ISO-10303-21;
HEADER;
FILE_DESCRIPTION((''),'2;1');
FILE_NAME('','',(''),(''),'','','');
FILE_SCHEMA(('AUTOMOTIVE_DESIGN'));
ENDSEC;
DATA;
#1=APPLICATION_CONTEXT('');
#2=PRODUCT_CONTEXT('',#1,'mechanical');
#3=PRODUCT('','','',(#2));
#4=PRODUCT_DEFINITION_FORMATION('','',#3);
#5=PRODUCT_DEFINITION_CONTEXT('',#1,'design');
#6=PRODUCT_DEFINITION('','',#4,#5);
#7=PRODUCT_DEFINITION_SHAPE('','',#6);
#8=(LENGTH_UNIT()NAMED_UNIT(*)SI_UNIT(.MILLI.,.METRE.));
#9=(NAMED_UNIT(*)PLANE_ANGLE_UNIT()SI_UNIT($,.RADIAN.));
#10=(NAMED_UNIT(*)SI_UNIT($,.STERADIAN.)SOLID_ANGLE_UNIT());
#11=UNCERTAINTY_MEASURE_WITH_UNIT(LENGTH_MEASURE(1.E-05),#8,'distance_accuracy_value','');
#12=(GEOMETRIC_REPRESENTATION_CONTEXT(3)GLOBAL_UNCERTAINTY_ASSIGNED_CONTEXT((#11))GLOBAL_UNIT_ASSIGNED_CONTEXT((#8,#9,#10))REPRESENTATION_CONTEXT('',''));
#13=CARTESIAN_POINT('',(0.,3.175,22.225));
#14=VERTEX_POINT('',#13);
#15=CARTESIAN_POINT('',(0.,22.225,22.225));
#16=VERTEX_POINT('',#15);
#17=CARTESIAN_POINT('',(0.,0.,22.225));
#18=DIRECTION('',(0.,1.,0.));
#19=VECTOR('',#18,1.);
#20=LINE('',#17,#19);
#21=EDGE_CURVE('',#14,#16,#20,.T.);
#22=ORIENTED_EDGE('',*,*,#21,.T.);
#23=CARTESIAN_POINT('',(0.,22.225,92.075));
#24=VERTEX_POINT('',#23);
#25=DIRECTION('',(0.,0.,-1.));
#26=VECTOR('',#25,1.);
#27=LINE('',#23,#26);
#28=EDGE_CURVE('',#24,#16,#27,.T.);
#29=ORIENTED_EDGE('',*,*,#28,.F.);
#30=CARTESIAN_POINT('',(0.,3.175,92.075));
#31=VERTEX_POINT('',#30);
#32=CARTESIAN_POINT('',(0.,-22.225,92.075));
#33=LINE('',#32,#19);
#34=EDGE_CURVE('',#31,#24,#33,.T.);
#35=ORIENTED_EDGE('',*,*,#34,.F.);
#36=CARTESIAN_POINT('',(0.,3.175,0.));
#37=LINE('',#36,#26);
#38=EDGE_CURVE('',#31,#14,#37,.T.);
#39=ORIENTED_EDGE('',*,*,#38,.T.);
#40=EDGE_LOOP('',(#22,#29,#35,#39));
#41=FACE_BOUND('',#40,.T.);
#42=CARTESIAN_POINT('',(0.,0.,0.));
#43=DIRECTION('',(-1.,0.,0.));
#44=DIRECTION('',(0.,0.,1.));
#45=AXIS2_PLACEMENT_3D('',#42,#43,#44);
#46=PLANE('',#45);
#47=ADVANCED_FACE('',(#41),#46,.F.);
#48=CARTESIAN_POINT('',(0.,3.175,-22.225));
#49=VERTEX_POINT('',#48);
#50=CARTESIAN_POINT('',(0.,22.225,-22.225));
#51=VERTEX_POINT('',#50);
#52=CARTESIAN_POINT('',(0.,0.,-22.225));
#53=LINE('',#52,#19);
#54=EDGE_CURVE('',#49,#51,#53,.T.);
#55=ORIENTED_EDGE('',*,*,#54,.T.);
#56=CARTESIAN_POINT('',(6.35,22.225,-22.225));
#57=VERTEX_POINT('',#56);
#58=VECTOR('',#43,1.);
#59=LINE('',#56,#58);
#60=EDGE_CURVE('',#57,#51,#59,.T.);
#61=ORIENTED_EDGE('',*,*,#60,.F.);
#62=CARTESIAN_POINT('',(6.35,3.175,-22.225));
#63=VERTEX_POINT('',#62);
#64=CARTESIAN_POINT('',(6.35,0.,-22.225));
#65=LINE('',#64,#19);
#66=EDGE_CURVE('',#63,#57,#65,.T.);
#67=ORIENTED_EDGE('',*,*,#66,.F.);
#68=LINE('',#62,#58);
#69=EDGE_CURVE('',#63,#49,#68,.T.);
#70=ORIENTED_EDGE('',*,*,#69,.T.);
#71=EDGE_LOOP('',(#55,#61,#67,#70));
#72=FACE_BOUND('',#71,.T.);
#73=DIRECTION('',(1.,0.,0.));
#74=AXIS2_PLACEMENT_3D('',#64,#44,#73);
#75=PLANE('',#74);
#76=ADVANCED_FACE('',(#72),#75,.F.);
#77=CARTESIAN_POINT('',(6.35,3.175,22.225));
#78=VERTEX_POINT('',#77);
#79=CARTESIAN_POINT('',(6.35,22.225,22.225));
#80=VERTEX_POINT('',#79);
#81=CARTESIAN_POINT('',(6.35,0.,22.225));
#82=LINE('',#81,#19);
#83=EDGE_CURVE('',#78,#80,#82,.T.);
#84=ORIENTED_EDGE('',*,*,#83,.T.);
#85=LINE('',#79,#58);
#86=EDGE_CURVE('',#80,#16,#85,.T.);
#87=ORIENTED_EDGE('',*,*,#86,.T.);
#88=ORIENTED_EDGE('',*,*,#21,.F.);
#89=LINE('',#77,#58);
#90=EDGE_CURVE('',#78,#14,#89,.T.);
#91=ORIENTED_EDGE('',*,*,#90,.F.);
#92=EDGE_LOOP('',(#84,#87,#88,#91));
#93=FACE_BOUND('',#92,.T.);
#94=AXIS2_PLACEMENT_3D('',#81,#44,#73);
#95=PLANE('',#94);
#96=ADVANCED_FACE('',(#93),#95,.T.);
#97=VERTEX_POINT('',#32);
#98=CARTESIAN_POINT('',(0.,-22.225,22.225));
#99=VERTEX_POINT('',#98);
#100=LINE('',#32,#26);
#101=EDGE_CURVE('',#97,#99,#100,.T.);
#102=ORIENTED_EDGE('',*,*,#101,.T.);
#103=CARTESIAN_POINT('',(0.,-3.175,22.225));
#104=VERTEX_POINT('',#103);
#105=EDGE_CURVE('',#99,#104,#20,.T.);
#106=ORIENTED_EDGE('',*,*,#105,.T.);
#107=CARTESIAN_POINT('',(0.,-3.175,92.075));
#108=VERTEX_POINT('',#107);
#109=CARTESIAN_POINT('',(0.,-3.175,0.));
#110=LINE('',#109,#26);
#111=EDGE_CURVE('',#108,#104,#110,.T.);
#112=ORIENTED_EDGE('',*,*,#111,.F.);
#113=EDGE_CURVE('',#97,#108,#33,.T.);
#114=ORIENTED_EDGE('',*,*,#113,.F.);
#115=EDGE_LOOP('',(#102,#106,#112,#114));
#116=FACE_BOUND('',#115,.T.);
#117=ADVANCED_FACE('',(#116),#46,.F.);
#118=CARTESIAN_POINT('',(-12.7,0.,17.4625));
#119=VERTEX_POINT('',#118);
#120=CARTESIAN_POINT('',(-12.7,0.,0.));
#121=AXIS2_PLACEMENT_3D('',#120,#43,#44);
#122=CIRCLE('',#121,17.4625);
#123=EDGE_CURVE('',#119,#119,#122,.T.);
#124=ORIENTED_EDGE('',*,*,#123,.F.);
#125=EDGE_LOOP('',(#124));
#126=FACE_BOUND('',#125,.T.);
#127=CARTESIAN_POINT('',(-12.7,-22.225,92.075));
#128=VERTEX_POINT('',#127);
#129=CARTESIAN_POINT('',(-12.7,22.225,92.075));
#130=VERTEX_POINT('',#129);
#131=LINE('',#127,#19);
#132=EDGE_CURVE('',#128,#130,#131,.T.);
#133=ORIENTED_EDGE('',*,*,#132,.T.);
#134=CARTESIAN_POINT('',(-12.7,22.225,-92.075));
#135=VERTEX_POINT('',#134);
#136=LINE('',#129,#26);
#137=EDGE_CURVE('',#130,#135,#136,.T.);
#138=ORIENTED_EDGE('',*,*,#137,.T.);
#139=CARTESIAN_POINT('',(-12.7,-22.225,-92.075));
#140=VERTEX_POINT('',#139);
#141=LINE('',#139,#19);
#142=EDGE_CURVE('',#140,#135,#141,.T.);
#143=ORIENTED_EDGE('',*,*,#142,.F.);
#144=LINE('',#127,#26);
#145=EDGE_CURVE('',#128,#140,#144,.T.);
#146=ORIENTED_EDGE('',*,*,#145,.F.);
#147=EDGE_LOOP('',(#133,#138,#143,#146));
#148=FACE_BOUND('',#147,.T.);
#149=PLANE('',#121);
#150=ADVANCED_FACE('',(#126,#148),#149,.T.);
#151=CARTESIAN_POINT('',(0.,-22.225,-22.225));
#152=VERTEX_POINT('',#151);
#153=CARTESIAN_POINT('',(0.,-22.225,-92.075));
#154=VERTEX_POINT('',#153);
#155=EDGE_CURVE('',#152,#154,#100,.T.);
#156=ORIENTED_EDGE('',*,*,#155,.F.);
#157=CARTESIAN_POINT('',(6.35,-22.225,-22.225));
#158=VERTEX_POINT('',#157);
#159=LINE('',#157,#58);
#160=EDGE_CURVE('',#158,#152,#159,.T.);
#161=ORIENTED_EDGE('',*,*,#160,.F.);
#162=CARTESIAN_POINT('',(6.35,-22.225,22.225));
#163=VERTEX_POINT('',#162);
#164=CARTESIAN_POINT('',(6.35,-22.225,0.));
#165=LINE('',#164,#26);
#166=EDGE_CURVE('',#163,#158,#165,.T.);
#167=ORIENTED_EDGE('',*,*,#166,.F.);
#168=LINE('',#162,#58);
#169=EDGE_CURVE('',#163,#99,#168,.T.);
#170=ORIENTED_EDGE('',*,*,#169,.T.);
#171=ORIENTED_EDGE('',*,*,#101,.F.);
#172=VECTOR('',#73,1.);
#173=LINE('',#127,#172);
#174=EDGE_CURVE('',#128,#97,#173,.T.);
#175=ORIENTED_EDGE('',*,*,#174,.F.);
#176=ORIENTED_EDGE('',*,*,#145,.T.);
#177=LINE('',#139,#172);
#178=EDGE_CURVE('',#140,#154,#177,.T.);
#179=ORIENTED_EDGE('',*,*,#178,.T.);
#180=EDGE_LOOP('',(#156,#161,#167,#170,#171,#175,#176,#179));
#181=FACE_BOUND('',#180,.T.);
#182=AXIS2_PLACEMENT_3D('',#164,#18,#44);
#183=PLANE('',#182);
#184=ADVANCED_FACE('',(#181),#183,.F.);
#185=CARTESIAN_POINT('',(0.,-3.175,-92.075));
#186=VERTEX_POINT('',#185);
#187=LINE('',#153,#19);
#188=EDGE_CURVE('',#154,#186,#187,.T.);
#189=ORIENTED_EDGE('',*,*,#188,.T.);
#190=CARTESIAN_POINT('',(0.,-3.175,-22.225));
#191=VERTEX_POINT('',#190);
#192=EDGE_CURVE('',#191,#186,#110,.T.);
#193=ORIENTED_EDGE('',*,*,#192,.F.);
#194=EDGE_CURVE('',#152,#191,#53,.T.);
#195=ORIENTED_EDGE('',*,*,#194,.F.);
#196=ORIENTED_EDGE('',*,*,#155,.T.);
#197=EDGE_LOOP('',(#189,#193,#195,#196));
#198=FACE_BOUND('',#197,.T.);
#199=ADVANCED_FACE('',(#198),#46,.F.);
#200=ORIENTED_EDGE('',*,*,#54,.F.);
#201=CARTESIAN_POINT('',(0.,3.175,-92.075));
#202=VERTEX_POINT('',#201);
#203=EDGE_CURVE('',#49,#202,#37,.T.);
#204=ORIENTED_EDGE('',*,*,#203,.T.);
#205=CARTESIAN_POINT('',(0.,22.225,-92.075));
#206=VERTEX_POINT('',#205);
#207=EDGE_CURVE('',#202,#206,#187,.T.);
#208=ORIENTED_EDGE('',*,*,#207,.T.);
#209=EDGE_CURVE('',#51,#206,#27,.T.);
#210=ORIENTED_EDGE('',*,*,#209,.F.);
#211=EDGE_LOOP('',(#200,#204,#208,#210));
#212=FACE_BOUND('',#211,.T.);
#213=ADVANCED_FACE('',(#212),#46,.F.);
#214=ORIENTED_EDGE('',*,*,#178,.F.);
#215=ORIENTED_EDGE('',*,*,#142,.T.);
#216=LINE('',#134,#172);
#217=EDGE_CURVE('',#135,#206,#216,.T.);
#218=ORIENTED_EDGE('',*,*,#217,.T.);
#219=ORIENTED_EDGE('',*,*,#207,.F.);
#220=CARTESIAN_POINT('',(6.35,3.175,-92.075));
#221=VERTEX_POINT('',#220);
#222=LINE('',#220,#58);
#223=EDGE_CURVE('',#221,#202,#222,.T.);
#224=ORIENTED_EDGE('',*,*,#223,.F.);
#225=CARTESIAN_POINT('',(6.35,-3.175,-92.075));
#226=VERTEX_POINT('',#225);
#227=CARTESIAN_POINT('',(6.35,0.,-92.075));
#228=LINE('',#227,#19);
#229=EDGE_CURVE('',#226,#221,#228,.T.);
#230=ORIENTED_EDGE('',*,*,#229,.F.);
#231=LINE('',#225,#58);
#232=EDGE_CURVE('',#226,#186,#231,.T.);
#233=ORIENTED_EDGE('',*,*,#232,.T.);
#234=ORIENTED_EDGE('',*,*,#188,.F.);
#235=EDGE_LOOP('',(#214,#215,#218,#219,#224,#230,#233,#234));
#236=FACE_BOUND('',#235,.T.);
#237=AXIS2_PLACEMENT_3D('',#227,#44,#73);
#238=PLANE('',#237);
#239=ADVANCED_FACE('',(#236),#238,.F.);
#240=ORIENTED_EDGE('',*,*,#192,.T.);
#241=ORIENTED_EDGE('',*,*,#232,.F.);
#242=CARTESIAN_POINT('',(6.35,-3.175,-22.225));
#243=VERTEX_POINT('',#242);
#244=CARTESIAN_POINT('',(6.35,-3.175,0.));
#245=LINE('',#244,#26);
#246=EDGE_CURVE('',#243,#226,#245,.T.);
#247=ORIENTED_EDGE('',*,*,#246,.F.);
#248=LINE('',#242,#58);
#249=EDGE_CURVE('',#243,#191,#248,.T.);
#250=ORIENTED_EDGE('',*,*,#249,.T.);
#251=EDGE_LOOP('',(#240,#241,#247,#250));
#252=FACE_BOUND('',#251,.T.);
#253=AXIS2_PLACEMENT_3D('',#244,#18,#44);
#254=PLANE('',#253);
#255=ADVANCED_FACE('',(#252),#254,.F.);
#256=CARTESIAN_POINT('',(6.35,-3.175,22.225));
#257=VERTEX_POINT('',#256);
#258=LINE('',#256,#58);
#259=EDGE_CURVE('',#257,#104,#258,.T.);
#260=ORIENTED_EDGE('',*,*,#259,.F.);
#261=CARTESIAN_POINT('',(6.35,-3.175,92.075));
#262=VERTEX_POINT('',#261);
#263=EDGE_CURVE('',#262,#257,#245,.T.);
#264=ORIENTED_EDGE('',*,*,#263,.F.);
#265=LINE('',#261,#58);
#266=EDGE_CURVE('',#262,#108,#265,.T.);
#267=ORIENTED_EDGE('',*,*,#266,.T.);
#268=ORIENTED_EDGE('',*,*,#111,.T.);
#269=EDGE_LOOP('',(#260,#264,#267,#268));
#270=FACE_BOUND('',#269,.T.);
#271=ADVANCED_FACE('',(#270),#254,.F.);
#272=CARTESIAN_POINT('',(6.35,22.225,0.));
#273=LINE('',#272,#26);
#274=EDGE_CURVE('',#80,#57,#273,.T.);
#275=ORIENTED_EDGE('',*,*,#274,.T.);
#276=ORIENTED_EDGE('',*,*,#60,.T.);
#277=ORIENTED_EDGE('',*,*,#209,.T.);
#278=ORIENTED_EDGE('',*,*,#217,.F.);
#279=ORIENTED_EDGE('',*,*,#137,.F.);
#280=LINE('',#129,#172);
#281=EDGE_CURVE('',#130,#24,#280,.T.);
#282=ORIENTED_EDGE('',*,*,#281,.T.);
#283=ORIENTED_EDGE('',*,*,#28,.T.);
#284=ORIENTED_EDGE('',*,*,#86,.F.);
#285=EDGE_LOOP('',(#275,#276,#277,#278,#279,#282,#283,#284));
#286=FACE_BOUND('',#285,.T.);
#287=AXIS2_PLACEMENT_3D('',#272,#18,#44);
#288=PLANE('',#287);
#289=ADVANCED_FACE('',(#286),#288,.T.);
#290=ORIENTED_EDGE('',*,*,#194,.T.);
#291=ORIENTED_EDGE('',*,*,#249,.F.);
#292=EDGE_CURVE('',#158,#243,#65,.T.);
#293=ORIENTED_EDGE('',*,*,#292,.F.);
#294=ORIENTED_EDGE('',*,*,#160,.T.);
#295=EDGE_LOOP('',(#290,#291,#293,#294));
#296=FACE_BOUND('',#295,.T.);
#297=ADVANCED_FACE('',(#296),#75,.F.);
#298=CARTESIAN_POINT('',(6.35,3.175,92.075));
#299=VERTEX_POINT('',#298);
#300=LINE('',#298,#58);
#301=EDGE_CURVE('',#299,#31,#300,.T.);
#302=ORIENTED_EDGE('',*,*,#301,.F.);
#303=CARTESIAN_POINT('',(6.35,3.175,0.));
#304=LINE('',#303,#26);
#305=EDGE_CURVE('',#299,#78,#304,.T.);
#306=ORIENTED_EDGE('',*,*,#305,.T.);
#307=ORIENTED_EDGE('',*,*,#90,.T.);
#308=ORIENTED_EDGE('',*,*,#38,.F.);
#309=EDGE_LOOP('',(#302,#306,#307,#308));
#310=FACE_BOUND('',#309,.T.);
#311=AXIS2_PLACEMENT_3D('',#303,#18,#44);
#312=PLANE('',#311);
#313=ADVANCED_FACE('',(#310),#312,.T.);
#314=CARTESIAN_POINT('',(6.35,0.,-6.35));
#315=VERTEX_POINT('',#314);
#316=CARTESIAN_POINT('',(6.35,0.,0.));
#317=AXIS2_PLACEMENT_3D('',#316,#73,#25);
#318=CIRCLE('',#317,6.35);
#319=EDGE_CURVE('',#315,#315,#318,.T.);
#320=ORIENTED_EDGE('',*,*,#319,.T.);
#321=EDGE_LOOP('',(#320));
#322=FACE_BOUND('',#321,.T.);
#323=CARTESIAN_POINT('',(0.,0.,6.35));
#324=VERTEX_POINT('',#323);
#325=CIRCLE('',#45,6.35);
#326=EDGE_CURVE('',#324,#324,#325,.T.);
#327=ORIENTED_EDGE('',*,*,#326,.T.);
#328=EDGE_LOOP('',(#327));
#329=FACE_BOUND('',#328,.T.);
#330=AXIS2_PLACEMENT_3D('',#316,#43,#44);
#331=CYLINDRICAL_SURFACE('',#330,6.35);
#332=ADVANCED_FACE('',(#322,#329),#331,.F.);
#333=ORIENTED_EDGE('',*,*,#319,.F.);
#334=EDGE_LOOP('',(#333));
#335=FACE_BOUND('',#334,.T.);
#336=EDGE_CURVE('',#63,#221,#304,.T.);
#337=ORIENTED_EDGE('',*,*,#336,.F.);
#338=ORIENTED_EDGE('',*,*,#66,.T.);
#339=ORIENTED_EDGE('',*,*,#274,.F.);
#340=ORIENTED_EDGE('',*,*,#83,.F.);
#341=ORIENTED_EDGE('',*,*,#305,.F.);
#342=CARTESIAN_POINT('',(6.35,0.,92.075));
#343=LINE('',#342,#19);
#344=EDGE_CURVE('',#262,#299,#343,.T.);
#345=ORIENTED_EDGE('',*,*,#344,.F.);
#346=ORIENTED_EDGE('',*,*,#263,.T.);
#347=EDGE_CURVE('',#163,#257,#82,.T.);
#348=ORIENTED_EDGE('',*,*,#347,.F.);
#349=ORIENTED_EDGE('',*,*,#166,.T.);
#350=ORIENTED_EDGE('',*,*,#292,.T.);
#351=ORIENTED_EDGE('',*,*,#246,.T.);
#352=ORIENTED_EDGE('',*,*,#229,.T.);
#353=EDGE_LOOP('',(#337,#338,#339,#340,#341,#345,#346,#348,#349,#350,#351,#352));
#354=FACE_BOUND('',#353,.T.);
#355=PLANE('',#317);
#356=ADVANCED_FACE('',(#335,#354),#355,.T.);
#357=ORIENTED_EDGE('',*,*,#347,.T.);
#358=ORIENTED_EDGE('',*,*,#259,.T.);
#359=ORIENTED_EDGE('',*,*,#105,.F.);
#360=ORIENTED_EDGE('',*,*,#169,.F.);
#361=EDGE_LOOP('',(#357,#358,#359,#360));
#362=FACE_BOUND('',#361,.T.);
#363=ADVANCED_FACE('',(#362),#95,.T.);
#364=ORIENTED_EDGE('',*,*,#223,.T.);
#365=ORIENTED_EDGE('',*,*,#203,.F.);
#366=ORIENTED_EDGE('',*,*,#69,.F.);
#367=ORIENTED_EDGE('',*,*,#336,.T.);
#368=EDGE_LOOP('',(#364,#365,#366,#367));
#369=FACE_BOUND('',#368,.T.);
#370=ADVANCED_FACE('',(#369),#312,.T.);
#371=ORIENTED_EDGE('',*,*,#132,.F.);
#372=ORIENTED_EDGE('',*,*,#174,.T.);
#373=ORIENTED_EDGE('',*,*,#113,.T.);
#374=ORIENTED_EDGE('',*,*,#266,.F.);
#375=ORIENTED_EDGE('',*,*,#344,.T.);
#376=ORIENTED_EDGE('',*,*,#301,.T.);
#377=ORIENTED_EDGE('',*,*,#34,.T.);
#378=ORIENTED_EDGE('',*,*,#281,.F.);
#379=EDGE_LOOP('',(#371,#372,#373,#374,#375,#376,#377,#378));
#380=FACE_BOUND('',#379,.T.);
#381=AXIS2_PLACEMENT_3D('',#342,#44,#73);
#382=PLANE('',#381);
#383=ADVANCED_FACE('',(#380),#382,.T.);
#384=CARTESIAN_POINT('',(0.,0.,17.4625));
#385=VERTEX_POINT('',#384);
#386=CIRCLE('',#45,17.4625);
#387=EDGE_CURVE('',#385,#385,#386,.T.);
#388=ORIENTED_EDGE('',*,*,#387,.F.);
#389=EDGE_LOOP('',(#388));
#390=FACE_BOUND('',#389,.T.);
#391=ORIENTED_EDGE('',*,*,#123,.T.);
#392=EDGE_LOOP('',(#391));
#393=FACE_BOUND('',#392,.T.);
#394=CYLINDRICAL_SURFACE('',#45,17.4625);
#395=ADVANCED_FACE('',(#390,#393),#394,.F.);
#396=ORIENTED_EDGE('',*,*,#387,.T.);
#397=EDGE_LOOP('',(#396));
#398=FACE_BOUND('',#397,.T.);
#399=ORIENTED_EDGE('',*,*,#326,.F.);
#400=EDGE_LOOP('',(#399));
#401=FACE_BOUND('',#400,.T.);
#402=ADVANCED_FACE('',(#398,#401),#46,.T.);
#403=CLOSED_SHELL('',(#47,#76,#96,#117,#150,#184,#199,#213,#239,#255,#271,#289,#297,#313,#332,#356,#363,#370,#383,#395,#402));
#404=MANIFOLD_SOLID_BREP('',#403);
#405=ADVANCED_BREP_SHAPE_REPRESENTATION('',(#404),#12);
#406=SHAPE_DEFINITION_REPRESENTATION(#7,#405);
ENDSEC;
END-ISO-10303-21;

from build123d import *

# Parameters (mm, degrees)
SKETCH2_R           = 6.35
BOSS_EXTRUDE1_DEPTH = 6.35
BOSS_EXTRUDE2_START = -12.7
SKETCH2_3_W         = 184.15
SKETCH2_3_H         = 44.45
SKETCH2_3_R         = 6.35
BOSS_EXTRUDE2_DEPTH = 12.7
SKETCH3_R           = 17.4625
CUT_EXTRUDE1_DEPTH  = 12.7


with BuildPart() as part:
    # Sketch2 → Boss-Extrude1 (new body)
    with BuildSketch(Plane(origin=(0, 0, 0), x_dir=(0, 0, -1), z_dir=(1, 0, 0))):
        Polygon((-22.225, -3.175), (-22.225, -22.225), (22.225, -22.225), (22.225, -3.175), (92.075, -3.175), (92.075, 3.175), (22.225, 3.175), (22.225, 22.225), (-22.225, 22.225), (-22.225, 3.175), (-92.075, 3.175), (-92.075, -3.175), align=None)
        Circle(SKETCH2_R, mode=Mode.SUBTRACT)
    extrude(amount=BOSS_EXTRUDE1_DEPTH)

    # Sketch2<3> → Boss-Extrude2 (add)
    with BuildSketch(Plane(origin=(0, 0, 0), x_dir=(0, 0, -1), z_dir=(1, 0, 0)).offset(BOSS_EXTRUDE2_START)):
        Rectangle(SKETCH2_3_W, SKETCH2_3_H)
        Circle(SKETCH2_3_R, mode=Mode.SUBTRACT)
    extrude(amount=BOSS_EXTRUDE2_DEPTH)

    # Sketch3 → Cut-Extrude1 (cut)
    with BuildSketch(Plane.ZY.offset(12.7)):
        Circle(SKETCH3_R)
    extrude(amount=-CUT_EXTRUDE1_DEPTH, mode=Mode.SUBTRACT)


solid = part.part
